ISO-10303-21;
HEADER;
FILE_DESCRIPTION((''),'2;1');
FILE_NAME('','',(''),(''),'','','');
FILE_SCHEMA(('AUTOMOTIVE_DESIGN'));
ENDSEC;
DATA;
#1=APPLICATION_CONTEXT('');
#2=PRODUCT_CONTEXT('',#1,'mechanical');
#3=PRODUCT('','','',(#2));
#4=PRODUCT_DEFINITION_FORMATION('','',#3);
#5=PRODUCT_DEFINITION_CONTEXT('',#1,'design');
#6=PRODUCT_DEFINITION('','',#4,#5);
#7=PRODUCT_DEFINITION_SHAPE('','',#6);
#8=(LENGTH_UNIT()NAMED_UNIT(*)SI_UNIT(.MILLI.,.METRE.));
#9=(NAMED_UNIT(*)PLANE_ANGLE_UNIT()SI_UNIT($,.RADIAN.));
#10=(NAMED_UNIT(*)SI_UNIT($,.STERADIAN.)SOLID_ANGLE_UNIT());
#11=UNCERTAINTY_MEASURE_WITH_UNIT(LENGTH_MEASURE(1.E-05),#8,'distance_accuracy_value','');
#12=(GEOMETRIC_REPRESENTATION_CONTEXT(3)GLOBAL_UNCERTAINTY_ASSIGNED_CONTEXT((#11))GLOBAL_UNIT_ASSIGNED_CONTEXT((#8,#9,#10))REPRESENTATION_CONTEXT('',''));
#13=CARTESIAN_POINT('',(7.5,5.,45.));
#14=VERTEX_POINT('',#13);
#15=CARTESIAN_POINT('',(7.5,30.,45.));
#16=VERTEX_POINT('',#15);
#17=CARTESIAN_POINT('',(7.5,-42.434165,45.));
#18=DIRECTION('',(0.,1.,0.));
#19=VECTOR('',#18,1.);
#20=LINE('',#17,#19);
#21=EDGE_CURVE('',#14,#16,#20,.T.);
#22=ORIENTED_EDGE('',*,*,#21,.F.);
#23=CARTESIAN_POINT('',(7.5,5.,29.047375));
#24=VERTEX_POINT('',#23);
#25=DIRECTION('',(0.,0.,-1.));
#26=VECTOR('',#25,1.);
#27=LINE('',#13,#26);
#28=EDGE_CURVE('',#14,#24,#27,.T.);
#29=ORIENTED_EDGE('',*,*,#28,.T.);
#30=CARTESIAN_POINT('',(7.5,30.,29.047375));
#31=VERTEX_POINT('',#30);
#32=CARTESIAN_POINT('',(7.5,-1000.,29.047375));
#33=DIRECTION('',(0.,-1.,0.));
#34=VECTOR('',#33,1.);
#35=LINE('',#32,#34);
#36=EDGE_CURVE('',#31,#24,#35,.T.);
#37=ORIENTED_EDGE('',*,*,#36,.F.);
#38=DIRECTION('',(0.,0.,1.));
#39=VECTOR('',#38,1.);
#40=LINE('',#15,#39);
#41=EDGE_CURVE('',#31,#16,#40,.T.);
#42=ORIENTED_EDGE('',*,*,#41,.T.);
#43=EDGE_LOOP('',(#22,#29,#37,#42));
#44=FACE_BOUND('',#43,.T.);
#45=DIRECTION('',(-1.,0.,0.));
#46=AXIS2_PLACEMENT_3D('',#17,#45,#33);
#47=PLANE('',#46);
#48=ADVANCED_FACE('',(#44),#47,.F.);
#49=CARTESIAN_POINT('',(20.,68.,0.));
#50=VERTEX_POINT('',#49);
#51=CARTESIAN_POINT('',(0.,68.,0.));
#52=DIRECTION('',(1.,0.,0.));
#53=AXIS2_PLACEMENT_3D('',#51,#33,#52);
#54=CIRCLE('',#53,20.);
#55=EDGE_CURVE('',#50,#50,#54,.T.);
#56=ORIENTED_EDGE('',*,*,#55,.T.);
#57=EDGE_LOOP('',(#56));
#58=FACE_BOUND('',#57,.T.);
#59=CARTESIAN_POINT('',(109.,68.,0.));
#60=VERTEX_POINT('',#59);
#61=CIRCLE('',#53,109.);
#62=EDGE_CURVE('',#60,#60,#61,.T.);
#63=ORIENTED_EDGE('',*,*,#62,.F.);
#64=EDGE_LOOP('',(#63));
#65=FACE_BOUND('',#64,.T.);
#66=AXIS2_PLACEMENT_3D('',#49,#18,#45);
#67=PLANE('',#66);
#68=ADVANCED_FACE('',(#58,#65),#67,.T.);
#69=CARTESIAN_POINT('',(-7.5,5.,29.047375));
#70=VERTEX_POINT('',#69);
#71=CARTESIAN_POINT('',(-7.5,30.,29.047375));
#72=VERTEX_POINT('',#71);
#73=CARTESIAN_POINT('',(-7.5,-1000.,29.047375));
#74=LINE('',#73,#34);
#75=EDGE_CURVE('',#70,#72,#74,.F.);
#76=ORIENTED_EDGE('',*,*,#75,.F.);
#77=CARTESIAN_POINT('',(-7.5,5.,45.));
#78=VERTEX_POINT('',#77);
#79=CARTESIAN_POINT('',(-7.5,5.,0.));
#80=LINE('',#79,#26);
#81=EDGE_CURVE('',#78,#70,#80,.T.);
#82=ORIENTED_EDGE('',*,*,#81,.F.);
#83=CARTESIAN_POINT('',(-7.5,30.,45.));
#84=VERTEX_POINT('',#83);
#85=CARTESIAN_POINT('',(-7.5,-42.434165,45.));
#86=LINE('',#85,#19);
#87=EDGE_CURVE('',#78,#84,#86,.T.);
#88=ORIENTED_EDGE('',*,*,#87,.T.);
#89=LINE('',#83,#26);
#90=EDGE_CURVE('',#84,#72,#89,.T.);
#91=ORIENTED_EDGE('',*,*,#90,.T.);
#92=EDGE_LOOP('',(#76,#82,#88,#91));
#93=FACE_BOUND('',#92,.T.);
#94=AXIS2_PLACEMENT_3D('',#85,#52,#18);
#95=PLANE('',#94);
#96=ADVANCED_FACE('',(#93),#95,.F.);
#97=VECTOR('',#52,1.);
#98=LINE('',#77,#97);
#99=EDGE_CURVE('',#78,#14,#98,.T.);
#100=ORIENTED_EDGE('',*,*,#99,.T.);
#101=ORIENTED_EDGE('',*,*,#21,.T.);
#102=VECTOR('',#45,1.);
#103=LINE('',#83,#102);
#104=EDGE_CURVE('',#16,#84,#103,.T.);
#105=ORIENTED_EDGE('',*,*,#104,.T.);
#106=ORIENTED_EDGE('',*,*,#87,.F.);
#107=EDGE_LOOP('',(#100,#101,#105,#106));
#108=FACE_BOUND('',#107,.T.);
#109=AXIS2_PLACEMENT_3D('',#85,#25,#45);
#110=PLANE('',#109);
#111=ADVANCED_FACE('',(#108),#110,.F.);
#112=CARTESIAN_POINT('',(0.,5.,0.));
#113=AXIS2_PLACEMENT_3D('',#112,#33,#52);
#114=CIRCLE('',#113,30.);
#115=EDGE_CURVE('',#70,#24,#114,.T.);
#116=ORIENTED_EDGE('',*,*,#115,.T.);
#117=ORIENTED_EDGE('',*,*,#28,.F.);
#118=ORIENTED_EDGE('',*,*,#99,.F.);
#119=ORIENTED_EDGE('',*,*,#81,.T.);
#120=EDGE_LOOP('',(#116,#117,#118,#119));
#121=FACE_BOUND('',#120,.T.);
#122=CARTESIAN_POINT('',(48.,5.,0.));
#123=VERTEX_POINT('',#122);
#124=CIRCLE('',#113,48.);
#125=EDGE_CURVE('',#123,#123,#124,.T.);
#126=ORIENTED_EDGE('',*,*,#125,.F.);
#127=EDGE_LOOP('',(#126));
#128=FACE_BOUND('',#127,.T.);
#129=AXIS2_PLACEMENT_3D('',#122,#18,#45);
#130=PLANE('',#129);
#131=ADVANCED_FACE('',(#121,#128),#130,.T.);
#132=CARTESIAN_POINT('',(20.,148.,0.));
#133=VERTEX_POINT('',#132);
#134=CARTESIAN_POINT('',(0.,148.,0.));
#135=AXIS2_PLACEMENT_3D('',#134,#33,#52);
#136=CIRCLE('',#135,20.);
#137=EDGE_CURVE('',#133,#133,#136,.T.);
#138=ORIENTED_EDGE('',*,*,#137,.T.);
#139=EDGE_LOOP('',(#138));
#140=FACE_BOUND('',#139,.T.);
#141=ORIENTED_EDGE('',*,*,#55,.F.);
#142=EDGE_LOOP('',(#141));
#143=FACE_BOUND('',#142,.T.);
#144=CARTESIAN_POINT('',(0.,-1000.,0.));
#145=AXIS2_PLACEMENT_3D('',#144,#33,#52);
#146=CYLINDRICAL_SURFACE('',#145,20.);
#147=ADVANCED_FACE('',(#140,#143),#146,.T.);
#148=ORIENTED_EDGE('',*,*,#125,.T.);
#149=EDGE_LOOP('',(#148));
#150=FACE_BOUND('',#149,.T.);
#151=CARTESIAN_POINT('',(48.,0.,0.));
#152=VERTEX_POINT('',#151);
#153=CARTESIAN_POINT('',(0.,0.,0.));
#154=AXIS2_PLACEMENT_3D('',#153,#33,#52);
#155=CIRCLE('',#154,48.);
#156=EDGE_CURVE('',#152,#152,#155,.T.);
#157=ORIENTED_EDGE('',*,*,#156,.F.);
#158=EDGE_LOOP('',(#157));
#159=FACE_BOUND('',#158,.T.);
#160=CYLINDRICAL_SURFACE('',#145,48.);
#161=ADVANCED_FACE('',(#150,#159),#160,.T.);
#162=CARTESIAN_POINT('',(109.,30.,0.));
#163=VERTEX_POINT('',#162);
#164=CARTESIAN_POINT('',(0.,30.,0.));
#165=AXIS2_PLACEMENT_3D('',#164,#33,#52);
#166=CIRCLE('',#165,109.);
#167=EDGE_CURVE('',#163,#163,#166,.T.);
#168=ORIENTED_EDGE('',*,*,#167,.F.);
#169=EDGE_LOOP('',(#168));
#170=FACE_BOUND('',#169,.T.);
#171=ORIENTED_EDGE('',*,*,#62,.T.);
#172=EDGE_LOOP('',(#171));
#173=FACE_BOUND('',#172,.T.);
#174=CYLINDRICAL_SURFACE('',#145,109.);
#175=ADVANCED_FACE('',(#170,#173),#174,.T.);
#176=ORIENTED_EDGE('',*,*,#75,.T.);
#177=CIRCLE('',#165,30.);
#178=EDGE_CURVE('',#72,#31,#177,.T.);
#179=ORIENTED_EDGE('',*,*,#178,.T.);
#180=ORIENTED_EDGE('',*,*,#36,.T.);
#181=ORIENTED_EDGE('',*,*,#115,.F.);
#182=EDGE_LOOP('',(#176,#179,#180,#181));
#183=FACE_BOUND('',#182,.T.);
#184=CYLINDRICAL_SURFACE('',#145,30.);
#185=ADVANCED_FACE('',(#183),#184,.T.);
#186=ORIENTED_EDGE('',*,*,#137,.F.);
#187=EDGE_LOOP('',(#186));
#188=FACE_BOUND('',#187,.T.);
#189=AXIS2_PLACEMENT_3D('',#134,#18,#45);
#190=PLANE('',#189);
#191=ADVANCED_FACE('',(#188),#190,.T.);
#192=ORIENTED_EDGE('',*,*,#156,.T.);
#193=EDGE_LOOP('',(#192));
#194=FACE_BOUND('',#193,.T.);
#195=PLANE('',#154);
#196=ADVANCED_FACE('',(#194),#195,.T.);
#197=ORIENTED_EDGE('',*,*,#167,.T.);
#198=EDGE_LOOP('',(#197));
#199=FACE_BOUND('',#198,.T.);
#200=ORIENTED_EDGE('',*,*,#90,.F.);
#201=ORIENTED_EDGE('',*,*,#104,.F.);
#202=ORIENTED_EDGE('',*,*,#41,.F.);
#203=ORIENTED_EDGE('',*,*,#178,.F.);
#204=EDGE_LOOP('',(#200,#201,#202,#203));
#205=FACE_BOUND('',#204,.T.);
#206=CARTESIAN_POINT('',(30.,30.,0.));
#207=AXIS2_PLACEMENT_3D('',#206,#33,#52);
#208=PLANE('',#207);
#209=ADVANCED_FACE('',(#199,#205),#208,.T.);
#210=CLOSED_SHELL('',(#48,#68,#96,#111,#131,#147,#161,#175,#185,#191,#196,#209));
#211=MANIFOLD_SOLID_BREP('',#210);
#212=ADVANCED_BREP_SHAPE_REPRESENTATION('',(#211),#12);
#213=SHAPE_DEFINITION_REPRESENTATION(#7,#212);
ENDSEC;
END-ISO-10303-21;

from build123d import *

# Parameters (mm, degrees)
SCHIZZO3_W                   = 15
SCHIZZO3_H                   = 45
ESTRUSIONE_ESTRUSIONE1_DEPTH = 25


with BuildPart() as part:
    # Schizzo1 → Rivoluzione1 (revolve)
    with BuildSketch(Plane.XY):
        Polygon((20, 68), (109, 68), (109, 30), (30, 30), (30, 5), (48, 5), (48, 0), (0, 0), (0, 148), (20, 148), align=None)
    revolve(axis=Axis((0, -1000, 0), (0, 1, 0)))

    # Schizzo3 → Estrusione-Estrusione1 (add)
    with BuildSketch(Plane.XZ.offset(-30)):
        with Locations((0, 22.5)):
            Rectangle(SCHIZZO3_W, SCHIZZO3_H)
    extrude(amount=ESTRUSIONE_ESTRUSIONE1_DEPTH)


solid = part.part
